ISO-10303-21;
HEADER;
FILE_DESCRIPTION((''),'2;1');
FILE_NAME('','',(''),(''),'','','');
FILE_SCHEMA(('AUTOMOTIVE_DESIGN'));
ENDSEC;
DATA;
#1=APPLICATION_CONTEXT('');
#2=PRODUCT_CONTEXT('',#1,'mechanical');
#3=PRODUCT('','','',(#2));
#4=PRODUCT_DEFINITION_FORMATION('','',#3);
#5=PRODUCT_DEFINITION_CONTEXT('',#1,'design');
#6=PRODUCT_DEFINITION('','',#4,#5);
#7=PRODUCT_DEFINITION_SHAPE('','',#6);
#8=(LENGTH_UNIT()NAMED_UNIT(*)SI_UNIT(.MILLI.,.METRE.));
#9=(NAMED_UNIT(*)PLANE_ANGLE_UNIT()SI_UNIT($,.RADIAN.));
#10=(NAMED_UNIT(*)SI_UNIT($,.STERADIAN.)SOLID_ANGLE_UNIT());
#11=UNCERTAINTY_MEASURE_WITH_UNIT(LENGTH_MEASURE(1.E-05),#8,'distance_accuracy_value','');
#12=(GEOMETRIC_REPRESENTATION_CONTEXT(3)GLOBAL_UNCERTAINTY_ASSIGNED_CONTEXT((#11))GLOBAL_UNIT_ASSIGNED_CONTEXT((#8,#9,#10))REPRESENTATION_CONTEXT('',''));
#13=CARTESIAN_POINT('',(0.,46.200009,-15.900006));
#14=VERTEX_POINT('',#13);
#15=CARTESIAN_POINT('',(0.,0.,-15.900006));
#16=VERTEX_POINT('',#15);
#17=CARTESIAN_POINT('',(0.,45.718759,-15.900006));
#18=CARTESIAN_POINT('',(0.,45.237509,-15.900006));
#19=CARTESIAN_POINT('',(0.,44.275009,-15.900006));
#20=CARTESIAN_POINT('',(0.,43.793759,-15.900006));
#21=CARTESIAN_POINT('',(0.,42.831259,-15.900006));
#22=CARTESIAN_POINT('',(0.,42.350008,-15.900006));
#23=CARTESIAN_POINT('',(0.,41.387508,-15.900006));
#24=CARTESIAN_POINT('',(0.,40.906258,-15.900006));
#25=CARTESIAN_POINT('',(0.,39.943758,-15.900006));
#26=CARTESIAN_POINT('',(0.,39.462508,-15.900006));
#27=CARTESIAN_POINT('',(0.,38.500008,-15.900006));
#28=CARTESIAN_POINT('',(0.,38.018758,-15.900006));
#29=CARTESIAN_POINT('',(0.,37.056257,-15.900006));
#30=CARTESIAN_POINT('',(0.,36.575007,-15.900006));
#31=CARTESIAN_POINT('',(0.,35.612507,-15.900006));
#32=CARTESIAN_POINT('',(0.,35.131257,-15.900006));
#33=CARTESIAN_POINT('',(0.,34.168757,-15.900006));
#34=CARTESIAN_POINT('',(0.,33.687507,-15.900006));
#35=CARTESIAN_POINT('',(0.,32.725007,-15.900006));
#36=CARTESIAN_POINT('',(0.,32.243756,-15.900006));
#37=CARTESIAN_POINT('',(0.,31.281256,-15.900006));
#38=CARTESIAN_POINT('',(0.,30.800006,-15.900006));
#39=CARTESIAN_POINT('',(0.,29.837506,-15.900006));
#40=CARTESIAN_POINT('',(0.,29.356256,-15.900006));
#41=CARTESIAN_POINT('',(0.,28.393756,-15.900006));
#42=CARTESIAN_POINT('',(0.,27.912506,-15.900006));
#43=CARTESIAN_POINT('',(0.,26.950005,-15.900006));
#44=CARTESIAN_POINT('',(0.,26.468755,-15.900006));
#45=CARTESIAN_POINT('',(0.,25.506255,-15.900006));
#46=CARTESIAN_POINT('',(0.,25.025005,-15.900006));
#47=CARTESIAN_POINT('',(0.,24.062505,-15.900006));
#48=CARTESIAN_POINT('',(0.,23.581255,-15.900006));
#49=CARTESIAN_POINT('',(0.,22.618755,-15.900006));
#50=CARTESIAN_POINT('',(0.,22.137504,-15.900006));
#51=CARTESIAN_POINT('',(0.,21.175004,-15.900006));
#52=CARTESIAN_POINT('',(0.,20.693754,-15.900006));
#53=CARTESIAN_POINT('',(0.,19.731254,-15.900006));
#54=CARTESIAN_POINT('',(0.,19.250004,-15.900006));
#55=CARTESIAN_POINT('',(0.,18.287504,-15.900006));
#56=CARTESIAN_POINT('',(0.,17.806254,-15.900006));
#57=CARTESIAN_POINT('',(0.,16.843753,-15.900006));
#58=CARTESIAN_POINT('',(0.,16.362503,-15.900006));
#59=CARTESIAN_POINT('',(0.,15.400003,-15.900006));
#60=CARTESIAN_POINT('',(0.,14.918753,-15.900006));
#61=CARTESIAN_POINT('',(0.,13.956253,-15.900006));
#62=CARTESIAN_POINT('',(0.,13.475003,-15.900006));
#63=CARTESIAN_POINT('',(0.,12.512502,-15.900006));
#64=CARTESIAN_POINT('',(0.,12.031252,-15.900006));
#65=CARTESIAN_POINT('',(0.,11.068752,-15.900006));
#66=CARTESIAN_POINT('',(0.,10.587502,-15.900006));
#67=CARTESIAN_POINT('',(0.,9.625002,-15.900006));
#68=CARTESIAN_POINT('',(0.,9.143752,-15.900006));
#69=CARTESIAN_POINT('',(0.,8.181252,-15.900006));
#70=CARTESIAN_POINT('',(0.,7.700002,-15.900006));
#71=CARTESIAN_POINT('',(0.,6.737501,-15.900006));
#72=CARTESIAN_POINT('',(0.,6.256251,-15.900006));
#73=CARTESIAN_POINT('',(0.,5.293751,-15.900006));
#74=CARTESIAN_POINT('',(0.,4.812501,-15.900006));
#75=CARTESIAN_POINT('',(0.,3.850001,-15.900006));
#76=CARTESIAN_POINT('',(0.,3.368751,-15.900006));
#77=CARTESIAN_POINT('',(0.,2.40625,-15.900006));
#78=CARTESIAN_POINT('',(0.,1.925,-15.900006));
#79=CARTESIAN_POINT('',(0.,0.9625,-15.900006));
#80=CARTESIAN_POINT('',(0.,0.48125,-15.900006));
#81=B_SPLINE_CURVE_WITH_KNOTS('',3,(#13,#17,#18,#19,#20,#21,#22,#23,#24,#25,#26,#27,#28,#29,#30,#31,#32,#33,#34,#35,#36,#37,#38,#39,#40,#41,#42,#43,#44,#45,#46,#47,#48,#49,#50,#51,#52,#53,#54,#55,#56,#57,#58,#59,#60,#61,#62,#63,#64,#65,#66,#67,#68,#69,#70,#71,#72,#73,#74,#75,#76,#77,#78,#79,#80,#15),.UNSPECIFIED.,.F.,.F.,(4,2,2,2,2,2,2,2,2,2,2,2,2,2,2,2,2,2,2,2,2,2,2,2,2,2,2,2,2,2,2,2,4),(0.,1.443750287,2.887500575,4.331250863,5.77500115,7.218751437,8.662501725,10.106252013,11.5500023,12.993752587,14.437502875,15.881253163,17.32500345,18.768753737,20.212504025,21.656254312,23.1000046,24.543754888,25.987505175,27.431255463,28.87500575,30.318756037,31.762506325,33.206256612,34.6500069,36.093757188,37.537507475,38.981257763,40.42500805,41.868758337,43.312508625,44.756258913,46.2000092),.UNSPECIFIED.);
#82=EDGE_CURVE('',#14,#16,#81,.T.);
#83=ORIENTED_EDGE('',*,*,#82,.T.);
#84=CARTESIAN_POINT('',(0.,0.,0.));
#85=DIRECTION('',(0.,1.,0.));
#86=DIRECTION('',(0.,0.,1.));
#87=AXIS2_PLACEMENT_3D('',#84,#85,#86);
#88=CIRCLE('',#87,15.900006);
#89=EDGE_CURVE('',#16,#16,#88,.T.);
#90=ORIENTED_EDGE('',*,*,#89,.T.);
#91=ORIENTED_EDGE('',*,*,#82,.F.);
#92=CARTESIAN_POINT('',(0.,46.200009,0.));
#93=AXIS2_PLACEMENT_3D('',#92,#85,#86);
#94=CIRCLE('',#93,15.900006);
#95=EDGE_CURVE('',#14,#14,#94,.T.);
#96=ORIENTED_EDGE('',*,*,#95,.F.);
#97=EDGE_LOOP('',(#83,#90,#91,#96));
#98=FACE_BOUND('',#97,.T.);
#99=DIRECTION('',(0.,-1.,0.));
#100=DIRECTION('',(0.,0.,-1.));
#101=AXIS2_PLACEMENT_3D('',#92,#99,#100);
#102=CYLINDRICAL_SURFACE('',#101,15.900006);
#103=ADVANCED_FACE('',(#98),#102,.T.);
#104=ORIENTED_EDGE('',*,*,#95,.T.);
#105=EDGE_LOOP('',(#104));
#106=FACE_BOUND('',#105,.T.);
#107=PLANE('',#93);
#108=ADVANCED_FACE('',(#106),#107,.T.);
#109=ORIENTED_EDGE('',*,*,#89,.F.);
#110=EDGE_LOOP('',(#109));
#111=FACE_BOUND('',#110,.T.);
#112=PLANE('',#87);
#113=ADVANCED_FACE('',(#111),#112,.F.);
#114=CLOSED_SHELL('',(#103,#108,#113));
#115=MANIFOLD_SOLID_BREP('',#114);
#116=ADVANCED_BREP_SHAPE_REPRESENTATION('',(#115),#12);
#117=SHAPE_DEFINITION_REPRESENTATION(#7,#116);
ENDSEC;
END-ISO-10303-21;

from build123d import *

# Parameters (mm, degrees)
SKETCH1_R           = 15.9000063
BOSS_EXTRUDE1_DEPTH = 46.2000092


with BuildPart() as part:
    # Sketch1 → Boss-Extrude1 (new body)
    with BuildSketch(Plane(origin=(0, 0, 0), x_dir=(1, 0, 0), z_dir=(0, 1, 0))):
        with Locations(Location((0, 0, 0), (0, 0, 90))):
            Circle(SKETCH1_R)
    extrude(amount=BOSS_EXTRUDE1_DEPTH)


solid = part.part
